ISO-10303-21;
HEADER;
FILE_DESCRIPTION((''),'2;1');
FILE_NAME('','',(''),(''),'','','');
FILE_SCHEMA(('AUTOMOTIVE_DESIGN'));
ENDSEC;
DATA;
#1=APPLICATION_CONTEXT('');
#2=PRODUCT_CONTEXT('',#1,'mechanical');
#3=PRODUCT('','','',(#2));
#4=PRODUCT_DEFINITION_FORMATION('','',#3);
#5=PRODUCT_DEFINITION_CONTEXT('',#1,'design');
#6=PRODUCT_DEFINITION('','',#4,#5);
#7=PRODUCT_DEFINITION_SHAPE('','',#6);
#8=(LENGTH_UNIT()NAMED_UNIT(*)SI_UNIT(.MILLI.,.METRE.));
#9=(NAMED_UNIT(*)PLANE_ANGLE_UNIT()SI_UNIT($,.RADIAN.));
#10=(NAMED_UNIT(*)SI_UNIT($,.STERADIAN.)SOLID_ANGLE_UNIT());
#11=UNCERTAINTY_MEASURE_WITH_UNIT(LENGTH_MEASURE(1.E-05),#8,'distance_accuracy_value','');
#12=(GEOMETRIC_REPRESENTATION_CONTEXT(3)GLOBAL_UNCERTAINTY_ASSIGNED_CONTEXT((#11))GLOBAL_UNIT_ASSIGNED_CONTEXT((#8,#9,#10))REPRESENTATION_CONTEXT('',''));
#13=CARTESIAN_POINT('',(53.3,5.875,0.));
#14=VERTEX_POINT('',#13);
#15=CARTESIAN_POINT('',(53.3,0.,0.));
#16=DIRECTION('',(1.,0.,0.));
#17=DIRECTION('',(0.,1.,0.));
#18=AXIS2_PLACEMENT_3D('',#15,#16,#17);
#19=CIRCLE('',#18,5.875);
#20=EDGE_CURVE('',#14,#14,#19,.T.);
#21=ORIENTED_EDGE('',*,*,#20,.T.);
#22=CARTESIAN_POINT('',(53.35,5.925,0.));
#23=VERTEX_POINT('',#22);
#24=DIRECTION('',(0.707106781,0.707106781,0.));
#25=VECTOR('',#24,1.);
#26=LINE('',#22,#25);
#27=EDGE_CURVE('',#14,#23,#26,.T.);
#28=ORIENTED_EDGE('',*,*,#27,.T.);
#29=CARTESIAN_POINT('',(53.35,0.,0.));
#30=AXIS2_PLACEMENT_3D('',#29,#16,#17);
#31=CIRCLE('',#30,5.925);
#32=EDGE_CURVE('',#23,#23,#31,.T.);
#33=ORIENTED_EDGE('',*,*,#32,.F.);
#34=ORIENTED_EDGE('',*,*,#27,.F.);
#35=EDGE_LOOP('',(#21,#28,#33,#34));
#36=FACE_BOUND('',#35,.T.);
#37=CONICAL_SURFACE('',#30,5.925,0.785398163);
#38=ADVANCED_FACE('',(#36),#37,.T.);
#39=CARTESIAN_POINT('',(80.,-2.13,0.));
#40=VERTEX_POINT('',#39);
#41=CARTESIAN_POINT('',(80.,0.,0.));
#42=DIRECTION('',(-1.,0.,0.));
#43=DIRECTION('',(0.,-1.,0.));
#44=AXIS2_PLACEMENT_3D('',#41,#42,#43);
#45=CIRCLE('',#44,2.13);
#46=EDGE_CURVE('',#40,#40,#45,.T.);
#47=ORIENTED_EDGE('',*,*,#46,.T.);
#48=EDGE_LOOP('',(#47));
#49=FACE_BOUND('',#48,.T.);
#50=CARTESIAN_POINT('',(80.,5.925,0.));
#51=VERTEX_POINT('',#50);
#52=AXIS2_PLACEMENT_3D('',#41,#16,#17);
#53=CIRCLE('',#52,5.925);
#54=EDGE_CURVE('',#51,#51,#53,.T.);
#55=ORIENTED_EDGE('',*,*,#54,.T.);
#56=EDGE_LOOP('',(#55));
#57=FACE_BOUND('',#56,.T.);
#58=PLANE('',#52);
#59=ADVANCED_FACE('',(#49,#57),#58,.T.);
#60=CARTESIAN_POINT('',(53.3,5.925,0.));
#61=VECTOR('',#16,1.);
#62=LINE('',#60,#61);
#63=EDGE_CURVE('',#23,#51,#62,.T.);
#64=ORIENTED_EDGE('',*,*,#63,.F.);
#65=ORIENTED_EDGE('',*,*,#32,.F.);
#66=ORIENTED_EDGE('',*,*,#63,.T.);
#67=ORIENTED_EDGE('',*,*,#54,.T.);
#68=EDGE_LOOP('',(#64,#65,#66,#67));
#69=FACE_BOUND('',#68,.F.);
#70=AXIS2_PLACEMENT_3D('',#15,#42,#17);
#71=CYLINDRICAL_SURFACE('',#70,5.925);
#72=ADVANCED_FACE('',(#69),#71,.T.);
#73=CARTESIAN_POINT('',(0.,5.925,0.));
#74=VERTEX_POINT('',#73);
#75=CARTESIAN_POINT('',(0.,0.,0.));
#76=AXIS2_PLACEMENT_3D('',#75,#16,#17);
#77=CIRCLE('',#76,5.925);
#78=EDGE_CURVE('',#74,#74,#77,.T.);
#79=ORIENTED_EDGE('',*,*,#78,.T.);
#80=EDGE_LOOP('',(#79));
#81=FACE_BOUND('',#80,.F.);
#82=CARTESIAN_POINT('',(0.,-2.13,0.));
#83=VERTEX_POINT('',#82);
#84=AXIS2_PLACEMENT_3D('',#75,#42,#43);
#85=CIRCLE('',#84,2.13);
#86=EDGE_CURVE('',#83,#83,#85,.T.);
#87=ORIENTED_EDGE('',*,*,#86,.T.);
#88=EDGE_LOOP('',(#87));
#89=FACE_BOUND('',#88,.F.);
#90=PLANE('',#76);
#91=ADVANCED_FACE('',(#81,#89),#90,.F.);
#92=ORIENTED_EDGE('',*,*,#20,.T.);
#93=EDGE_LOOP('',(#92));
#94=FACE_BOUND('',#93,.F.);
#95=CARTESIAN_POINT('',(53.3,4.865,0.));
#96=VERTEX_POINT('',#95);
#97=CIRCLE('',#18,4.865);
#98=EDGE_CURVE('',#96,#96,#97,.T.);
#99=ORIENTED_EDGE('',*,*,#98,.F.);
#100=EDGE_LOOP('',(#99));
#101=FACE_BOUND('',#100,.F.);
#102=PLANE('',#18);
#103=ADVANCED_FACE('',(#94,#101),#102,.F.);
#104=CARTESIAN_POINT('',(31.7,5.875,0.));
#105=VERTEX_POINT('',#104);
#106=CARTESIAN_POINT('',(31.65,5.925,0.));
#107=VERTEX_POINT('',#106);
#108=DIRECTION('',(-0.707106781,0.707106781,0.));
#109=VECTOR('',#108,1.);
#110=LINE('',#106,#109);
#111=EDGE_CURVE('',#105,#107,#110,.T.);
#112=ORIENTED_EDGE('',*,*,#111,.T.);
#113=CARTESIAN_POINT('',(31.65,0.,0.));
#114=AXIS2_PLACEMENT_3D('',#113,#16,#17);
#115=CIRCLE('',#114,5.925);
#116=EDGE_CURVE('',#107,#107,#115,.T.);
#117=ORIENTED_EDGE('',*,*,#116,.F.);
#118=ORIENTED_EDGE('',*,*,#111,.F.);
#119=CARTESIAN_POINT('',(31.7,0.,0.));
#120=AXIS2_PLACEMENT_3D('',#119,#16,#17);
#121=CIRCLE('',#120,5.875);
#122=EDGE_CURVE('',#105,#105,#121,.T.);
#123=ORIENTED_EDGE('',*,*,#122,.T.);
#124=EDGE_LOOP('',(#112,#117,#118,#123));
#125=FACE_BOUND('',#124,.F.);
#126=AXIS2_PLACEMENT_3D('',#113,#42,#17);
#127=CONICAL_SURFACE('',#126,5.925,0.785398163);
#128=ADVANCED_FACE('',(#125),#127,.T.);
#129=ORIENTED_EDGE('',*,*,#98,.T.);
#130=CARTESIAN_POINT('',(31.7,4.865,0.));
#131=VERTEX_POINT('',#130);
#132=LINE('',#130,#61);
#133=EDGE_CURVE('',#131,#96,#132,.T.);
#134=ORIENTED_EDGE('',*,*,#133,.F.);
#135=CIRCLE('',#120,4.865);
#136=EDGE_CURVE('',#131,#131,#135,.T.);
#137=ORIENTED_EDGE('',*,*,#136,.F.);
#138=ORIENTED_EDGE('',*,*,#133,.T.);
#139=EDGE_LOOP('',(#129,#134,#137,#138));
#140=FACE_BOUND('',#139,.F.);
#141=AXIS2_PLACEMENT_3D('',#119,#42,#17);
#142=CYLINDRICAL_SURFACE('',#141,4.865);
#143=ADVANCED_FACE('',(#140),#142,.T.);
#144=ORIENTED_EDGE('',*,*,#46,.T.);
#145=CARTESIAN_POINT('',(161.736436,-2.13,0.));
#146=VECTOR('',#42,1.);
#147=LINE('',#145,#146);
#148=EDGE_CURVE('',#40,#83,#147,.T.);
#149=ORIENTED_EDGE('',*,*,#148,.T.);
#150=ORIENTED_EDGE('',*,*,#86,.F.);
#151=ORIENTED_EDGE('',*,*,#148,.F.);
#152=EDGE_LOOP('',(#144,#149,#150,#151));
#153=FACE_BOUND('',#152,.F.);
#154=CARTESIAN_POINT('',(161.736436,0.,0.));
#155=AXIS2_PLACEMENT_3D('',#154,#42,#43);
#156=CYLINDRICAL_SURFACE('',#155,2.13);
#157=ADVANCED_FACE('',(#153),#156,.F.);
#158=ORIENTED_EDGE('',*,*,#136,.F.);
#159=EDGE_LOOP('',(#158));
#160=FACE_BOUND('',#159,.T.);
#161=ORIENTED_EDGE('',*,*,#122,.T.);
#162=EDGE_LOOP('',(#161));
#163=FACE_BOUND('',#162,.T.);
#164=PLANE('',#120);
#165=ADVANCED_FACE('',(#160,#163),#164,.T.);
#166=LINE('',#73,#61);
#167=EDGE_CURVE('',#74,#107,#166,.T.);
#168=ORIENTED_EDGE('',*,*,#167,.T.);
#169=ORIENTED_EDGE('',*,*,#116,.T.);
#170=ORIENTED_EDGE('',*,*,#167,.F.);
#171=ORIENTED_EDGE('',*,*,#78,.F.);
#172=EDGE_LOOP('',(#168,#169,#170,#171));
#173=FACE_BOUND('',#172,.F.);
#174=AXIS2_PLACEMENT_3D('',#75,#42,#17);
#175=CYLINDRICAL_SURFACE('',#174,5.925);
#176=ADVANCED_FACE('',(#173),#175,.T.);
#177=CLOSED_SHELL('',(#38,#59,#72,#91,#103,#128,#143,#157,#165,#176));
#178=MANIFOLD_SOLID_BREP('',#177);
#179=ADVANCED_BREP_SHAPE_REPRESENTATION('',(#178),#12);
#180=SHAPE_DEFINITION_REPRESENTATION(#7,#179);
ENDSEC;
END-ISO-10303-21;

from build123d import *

# Parameters (mm, degrees)
F0_R     = 5.925
F1_DEPTH = 31.7
F2_R     = 4.865
F3_DEPTH = 21.6
F4_R     = 5.925
F4_R_2   = 4.865
F5_DEPTH = 26.7
F7_D     = 4.26
F8_SIZE  = 0.05
F9_SIZE  = 0.05


with BuildPart() as f1:
    # F0 (on Right) → F1 (new body)
    with BuildSketch(Plane.YZ):
        Circle(F0_R)
    extrude(amount=F1_DEPTH)

    # F2 (on face) → F3 (join)
    with BuildSketch(Plane.YZ.offset(31.7)):
        Circle(F2_R)
    extrude(amount=F3_DEPTH)

    # F4 (on face) → F5 (join)
    with BuildSketch(Plane.YZ.offset(53.3)):
        Circle(F4_R)
        Circle(F4_R_2, mode=Mode.SUBTRACT)
        Circle(F4_R_2)
    extrude(amount=F5_DEPTH)

    # F7 (through all)
    with Locations(Plane.YZ.offset(80)):
        with Locations((0, 0)):
            Hole(F7_D / 2)

    # F8
    f8_edges = [f1.edges().sort_by_distance(p)[0] for p in [
        (31.7, -5.925, 0),
    ]]
    chamfer(f8_edges, length=F8_SIZE)

    # F9
    f9_edges = [f1.edges().sort_by_distance(p)[0] for p in [
        (53.3, -5.925, 0),
    ]]
    chamfer(f9_edges, length=F9_SIZE)


solid = f1.part
